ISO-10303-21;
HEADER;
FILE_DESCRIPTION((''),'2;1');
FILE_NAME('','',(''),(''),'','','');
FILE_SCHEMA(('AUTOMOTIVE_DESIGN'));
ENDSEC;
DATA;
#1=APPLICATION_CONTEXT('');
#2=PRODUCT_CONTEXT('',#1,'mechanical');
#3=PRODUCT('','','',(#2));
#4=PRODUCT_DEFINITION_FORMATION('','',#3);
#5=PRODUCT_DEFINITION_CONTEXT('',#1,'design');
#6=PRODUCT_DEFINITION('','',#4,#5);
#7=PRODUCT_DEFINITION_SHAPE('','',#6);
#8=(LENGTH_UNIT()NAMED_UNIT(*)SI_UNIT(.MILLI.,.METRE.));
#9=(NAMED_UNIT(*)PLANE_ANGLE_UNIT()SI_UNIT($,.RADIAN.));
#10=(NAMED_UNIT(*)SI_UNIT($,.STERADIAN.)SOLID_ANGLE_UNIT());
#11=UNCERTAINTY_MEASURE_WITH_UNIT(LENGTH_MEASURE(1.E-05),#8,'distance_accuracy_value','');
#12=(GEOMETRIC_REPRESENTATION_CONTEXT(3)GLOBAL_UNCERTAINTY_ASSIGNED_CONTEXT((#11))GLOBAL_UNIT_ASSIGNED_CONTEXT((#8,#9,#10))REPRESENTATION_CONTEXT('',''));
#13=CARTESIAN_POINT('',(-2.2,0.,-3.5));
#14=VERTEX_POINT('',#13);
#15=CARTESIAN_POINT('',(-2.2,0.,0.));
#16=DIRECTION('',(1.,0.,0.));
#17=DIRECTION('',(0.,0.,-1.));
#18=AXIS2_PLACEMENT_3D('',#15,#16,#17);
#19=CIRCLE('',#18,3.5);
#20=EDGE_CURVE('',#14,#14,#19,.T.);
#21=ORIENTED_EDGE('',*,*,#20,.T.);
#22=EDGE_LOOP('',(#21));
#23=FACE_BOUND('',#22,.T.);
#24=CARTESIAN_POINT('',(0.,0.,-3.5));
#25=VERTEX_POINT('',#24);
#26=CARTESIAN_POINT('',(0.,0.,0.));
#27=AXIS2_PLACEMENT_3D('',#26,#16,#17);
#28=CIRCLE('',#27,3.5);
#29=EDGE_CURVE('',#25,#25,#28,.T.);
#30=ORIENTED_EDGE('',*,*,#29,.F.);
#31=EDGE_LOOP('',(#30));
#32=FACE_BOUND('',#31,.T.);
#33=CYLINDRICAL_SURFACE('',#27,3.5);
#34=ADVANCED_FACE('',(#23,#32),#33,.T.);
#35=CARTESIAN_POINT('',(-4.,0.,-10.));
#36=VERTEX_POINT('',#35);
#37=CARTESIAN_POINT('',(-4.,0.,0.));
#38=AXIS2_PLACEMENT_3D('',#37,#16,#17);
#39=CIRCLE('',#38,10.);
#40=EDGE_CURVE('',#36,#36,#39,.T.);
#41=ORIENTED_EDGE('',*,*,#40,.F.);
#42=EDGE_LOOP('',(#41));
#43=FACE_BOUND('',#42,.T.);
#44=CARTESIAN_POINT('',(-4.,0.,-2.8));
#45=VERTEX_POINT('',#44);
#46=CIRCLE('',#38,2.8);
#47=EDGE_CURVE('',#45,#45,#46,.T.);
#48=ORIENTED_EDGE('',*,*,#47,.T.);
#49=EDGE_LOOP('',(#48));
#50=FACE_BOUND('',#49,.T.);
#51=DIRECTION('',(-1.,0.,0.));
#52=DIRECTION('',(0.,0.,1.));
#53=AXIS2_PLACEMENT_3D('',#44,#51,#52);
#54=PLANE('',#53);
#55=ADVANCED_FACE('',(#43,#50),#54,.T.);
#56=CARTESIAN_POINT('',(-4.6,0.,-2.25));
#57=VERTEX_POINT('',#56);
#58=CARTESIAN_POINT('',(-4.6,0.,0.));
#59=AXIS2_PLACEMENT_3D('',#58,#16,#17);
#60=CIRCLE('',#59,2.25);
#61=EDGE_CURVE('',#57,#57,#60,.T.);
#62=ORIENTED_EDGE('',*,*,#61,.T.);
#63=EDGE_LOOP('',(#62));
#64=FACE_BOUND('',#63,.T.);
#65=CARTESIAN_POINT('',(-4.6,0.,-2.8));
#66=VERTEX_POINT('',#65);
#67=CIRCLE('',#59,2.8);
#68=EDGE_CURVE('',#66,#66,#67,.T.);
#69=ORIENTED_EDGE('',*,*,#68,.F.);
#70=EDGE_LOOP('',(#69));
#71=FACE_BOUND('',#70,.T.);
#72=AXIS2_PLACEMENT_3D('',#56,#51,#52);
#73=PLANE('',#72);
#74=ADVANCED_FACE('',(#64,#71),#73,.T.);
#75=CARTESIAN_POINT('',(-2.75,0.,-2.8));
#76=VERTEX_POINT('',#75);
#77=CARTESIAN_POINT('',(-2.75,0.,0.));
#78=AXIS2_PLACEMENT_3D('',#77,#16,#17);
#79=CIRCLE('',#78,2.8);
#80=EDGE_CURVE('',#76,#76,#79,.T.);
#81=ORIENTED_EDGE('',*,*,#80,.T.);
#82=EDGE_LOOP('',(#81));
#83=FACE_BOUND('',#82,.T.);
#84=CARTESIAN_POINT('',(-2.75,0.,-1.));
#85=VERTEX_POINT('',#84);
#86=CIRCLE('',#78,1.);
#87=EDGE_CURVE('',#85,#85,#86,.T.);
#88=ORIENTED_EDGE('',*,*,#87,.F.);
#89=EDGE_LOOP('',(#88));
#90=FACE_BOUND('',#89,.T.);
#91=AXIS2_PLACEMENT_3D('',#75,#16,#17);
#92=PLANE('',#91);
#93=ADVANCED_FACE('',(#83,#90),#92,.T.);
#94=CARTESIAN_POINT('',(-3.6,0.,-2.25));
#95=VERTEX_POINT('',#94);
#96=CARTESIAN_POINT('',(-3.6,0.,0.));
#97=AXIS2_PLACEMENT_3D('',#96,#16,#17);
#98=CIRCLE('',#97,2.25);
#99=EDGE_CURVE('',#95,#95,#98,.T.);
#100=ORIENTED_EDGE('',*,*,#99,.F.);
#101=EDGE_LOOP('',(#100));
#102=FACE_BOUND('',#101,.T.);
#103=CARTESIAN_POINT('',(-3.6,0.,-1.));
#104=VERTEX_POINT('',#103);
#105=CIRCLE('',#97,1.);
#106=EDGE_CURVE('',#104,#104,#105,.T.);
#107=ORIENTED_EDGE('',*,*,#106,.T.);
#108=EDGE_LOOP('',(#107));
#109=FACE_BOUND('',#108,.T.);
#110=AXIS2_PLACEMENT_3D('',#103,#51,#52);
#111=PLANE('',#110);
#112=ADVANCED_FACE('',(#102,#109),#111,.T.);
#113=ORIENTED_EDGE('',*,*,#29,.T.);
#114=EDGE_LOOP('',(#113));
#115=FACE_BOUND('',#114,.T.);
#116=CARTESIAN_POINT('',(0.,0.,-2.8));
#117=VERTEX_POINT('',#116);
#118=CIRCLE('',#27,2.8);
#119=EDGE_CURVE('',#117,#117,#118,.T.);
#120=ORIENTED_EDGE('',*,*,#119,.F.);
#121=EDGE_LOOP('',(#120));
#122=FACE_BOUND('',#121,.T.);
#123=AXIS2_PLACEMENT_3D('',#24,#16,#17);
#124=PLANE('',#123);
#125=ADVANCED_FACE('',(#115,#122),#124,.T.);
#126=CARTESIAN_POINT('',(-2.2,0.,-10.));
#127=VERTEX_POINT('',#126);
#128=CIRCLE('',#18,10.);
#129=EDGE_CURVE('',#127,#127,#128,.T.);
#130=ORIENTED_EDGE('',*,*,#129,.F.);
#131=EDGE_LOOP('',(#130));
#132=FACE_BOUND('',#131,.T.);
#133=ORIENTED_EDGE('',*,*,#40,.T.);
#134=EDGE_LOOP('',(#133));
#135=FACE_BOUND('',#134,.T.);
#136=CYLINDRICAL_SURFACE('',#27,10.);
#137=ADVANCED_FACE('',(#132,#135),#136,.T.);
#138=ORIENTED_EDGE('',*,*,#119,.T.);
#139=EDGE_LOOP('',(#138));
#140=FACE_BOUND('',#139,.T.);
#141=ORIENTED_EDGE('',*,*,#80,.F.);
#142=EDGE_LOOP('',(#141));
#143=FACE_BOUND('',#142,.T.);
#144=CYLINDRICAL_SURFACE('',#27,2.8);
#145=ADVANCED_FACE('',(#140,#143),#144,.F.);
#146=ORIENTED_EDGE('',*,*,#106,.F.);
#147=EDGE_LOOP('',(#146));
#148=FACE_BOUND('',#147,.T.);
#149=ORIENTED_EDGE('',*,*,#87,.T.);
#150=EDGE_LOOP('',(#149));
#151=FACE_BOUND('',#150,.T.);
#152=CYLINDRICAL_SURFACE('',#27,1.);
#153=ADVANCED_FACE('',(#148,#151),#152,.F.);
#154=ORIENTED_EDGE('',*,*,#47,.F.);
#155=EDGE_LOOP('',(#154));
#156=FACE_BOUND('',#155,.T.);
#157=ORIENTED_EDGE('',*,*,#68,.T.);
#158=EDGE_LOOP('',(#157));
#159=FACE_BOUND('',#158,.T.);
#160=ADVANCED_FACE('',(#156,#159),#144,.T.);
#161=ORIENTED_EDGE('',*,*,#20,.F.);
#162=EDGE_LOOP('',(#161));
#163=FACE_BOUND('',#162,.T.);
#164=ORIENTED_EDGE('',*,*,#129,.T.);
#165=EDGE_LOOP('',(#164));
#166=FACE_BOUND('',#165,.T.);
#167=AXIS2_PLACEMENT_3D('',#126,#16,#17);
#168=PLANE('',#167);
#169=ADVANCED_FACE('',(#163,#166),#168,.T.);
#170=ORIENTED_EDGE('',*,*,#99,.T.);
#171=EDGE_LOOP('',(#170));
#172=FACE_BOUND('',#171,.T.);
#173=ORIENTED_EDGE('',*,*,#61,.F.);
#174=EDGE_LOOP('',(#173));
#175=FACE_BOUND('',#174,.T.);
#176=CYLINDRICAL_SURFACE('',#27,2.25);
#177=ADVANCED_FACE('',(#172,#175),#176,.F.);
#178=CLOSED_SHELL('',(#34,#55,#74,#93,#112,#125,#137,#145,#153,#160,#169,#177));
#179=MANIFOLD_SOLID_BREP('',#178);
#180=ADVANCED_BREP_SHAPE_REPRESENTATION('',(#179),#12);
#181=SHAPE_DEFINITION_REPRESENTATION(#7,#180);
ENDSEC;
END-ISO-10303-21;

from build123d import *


with BuildPart() as part:
    # Sketch2 → Revolve1 (revolve)
    with BuildSketch(Plane(origin=(0, 0, 0), x_dir=(1, 0, 0), z_dir=(0, 1, 0))):
        Polygon((-2.75, 1), (-3.6, 1), (-3.6, 2.25), (-4.6, 2.25), (-4.6, 2.8), (-4, 2.8), (-4, 10), (-2.2, 10), (-2.2, 3.5), (0, 3.5), (0, 2.8), (-2.75, 2.8), align=None)
    revolve(axis=Axis((0, 0, 0), (-1, 0, 0)))


solid = part.part
